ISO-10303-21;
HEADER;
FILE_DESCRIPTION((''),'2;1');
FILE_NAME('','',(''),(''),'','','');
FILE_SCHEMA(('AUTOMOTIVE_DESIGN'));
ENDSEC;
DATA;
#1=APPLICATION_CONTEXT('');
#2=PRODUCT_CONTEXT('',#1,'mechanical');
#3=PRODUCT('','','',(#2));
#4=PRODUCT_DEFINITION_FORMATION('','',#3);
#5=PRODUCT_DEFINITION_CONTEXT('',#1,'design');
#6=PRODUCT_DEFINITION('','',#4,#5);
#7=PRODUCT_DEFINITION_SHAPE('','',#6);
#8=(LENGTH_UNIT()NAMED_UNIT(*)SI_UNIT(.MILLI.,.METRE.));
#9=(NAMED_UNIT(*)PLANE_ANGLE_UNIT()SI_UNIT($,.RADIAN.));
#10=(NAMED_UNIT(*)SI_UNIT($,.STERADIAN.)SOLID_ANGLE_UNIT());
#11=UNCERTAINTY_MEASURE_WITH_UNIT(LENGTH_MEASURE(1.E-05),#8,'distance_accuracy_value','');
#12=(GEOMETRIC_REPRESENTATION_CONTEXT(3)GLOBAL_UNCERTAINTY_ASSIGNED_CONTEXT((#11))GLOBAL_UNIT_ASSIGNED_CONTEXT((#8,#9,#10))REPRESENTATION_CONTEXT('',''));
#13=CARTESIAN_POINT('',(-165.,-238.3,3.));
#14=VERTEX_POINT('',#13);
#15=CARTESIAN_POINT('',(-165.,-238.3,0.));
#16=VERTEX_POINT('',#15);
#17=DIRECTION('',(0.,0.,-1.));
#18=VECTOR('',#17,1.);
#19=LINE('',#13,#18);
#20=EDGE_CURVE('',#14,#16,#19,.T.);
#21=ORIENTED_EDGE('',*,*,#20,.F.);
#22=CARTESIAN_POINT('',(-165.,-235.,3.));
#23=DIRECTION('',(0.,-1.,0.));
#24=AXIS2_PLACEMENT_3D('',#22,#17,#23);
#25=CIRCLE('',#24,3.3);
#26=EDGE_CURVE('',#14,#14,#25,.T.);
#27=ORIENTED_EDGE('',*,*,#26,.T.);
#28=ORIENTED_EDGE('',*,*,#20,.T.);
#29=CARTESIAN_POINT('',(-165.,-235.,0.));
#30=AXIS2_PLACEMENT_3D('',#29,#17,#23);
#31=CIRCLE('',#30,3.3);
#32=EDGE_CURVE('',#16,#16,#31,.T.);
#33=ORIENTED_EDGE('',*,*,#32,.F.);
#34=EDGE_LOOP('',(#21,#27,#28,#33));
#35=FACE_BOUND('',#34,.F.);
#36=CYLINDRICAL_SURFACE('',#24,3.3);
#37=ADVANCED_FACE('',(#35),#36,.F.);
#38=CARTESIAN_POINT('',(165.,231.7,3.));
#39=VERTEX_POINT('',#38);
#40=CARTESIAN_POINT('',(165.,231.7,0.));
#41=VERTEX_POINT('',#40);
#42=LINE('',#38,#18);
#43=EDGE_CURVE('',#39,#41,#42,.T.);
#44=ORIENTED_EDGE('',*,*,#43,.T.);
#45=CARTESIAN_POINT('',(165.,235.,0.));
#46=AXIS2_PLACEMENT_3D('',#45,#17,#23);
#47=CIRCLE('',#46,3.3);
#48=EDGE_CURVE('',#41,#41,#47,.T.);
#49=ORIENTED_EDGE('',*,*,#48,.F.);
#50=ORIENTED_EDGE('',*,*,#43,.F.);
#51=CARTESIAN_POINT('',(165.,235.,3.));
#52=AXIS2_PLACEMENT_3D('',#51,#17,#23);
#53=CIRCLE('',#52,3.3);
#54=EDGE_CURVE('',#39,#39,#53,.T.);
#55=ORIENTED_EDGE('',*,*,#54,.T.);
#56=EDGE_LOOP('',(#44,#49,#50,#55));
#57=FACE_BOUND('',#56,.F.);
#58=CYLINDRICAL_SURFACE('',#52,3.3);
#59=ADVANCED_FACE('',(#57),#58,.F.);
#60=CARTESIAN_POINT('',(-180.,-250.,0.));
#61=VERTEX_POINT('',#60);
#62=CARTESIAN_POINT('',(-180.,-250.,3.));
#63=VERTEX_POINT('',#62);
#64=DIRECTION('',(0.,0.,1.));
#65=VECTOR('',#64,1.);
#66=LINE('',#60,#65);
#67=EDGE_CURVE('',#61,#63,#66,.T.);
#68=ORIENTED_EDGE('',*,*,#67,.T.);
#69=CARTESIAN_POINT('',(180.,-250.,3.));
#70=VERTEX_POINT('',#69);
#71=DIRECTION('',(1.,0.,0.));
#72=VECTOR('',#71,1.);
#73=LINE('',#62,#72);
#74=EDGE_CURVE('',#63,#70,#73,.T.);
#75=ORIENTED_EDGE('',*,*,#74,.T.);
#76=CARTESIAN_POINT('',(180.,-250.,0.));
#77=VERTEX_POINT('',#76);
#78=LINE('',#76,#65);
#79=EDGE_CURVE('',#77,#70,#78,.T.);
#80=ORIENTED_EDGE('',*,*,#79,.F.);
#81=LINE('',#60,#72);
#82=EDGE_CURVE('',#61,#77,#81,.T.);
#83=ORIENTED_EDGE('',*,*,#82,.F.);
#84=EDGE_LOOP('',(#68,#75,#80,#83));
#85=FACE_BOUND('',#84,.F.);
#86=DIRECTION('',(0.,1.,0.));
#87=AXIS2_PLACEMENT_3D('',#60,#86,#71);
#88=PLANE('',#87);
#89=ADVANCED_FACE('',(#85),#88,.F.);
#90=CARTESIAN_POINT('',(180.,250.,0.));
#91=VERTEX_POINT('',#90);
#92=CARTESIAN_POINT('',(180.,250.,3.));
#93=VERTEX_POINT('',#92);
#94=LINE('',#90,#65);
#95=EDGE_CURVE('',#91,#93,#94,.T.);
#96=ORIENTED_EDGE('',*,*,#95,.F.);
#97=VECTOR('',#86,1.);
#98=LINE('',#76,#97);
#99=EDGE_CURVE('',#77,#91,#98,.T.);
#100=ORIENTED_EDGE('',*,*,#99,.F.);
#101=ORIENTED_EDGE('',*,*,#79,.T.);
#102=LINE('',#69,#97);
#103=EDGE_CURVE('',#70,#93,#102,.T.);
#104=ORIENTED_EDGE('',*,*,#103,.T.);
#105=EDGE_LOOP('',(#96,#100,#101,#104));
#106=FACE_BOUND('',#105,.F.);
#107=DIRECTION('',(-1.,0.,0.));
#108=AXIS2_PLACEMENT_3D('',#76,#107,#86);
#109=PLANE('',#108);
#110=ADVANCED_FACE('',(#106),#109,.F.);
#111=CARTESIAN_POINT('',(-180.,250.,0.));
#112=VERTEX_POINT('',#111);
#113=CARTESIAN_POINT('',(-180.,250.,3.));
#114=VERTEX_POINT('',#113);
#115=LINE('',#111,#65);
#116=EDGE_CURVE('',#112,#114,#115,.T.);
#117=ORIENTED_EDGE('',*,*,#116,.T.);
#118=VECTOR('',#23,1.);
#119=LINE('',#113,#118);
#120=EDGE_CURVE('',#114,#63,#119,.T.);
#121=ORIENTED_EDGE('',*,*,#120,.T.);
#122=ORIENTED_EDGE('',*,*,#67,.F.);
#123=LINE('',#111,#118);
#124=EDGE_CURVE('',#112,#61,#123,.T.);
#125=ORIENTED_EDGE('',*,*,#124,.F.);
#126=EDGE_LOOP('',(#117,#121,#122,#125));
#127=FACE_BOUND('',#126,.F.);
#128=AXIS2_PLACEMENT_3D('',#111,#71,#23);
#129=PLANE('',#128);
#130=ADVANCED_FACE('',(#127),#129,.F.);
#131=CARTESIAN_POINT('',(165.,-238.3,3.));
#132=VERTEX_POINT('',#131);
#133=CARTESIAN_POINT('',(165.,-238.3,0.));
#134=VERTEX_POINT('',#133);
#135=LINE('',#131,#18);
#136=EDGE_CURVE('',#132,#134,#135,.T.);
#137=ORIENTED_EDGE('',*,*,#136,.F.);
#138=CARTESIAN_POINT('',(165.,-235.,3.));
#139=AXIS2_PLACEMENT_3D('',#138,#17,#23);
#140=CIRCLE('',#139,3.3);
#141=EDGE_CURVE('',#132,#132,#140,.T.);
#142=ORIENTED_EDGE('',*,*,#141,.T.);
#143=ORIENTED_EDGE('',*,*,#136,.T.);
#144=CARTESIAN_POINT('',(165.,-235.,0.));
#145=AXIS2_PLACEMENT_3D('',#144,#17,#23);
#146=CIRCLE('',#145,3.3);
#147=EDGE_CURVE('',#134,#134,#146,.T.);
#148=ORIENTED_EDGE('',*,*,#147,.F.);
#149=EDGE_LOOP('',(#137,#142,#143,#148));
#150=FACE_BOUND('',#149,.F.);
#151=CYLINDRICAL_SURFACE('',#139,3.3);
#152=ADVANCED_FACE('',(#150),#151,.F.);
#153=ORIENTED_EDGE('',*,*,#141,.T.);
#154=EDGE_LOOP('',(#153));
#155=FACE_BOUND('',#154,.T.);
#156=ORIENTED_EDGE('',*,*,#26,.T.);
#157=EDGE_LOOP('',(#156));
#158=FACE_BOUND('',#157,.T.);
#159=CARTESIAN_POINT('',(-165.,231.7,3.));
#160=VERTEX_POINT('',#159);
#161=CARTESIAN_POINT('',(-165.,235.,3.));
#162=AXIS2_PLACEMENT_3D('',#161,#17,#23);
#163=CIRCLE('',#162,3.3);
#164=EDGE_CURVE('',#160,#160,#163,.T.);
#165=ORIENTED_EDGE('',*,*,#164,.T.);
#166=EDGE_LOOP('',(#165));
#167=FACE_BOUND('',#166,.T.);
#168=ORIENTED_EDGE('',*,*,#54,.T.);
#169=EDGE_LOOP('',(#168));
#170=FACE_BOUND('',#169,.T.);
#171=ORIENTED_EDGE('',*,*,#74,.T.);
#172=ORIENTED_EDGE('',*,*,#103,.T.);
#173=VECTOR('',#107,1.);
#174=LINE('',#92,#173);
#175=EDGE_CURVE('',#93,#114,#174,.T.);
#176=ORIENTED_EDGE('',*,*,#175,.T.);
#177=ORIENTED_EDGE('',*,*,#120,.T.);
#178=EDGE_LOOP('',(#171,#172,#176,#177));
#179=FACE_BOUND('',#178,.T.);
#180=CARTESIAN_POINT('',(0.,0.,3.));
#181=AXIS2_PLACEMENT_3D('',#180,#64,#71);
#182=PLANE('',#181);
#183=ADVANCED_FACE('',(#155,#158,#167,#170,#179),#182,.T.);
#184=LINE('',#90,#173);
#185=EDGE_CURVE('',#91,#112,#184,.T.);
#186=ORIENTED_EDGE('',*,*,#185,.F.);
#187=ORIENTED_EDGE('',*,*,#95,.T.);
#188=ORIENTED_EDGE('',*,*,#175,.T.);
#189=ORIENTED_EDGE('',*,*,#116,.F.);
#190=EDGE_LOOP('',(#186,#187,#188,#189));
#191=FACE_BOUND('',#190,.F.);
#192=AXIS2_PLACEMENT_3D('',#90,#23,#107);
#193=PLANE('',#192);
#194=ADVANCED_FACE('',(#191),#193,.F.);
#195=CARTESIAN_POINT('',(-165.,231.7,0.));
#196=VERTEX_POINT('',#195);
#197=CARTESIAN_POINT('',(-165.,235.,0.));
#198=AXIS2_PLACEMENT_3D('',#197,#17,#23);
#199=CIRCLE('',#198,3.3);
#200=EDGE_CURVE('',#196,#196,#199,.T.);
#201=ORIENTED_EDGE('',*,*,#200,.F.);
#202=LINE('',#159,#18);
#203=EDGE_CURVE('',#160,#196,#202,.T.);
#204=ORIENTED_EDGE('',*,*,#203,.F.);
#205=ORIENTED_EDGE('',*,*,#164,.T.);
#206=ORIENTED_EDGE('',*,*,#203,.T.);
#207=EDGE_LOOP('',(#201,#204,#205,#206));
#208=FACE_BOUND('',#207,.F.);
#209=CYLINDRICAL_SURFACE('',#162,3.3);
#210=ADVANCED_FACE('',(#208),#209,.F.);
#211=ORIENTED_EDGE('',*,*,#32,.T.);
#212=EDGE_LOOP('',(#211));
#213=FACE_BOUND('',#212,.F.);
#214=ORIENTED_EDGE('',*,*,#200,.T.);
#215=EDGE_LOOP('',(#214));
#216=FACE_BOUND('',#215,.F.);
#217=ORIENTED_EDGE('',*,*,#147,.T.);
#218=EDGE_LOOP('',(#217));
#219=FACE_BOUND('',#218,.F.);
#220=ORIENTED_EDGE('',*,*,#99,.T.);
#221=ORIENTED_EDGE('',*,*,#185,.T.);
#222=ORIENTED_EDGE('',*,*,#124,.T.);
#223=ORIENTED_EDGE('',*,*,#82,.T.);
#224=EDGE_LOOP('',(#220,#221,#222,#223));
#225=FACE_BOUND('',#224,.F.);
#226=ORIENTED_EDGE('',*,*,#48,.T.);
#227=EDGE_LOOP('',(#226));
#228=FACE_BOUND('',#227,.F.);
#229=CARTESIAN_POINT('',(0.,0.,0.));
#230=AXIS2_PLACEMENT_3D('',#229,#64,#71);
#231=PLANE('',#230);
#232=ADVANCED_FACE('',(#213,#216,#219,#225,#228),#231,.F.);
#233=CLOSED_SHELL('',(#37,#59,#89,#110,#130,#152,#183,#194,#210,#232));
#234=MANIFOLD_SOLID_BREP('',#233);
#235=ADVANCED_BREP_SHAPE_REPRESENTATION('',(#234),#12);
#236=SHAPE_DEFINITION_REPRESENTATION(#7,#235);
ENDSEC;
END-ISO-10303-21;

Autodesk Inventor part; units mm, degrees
ref_plane "YZ Plane" through (0, 0, 0) normal (1, 0, 0) x (0, 1, 0)
ref_plane "XZ Plane" through (0, 0, 0) normal (0, 1, 0) x (-1, 0, 0)
ref_plane "XY Plane" through (0, 0, 0) normal (0, 0, 1) x (1, 0, 0)
sketch "スケッチ2" plane through (0, 0, 0) normal (0, 0, 1) x (1, 0, 0)
  line L0 (180, 250) -> (-180, 250)
  line L1 (-180, 250) -> (-180, -250)
  line L2 (-180, -250) -> (180, -250)
  line L3 (180, -250) -> (180, 250)
  line L4 (180, 250) -> (-180, -250) construction
  line L5 (-180, 250) -> (180, -250) construction
  point P0 (0, 0)
  dimension "d0" = 360
  dimension "d1" = 500
extrude "押し出し1" add sketch "スケッチ2" along normal blind 3
sketch "スケッチ3" plane through (0, 0, 3) normal (0, 0, 1) x (1, 0, 0)
  line L0 (-180, 250) -> (-180, -250) construction
  line L1 (-180, -250) -> (180, -250) construction
  line L2 (180, -250) -> (180, 250) construction
  line L3 (180, 250) -> (-180, 250) construction
  line L4 (165, 235) -> (-165, 235) construction
  line L5 (-165, 235) -> (-165, -235) construction
  line L6 (-165, -235) -> (165, -235) construction
  line L7 (165, -235) -> (165, 235) construction
  line L8 (165, 235) -> (-165, -235) construction
  line L9 (-165, 235) -> (165, -235) construction
  point P0 (0, 0)
  dimension "d4" = 15
  dimension "d5" = 15
hole "穴1" at (-165, 235, 3) at (165, 235, 3) at (165, -235, 3) at (-165, -235, 3) direction (0, 0, -1) diameter 6.6 end through all
equation "\"d5\" = d4"
properties part number "top_panel"
